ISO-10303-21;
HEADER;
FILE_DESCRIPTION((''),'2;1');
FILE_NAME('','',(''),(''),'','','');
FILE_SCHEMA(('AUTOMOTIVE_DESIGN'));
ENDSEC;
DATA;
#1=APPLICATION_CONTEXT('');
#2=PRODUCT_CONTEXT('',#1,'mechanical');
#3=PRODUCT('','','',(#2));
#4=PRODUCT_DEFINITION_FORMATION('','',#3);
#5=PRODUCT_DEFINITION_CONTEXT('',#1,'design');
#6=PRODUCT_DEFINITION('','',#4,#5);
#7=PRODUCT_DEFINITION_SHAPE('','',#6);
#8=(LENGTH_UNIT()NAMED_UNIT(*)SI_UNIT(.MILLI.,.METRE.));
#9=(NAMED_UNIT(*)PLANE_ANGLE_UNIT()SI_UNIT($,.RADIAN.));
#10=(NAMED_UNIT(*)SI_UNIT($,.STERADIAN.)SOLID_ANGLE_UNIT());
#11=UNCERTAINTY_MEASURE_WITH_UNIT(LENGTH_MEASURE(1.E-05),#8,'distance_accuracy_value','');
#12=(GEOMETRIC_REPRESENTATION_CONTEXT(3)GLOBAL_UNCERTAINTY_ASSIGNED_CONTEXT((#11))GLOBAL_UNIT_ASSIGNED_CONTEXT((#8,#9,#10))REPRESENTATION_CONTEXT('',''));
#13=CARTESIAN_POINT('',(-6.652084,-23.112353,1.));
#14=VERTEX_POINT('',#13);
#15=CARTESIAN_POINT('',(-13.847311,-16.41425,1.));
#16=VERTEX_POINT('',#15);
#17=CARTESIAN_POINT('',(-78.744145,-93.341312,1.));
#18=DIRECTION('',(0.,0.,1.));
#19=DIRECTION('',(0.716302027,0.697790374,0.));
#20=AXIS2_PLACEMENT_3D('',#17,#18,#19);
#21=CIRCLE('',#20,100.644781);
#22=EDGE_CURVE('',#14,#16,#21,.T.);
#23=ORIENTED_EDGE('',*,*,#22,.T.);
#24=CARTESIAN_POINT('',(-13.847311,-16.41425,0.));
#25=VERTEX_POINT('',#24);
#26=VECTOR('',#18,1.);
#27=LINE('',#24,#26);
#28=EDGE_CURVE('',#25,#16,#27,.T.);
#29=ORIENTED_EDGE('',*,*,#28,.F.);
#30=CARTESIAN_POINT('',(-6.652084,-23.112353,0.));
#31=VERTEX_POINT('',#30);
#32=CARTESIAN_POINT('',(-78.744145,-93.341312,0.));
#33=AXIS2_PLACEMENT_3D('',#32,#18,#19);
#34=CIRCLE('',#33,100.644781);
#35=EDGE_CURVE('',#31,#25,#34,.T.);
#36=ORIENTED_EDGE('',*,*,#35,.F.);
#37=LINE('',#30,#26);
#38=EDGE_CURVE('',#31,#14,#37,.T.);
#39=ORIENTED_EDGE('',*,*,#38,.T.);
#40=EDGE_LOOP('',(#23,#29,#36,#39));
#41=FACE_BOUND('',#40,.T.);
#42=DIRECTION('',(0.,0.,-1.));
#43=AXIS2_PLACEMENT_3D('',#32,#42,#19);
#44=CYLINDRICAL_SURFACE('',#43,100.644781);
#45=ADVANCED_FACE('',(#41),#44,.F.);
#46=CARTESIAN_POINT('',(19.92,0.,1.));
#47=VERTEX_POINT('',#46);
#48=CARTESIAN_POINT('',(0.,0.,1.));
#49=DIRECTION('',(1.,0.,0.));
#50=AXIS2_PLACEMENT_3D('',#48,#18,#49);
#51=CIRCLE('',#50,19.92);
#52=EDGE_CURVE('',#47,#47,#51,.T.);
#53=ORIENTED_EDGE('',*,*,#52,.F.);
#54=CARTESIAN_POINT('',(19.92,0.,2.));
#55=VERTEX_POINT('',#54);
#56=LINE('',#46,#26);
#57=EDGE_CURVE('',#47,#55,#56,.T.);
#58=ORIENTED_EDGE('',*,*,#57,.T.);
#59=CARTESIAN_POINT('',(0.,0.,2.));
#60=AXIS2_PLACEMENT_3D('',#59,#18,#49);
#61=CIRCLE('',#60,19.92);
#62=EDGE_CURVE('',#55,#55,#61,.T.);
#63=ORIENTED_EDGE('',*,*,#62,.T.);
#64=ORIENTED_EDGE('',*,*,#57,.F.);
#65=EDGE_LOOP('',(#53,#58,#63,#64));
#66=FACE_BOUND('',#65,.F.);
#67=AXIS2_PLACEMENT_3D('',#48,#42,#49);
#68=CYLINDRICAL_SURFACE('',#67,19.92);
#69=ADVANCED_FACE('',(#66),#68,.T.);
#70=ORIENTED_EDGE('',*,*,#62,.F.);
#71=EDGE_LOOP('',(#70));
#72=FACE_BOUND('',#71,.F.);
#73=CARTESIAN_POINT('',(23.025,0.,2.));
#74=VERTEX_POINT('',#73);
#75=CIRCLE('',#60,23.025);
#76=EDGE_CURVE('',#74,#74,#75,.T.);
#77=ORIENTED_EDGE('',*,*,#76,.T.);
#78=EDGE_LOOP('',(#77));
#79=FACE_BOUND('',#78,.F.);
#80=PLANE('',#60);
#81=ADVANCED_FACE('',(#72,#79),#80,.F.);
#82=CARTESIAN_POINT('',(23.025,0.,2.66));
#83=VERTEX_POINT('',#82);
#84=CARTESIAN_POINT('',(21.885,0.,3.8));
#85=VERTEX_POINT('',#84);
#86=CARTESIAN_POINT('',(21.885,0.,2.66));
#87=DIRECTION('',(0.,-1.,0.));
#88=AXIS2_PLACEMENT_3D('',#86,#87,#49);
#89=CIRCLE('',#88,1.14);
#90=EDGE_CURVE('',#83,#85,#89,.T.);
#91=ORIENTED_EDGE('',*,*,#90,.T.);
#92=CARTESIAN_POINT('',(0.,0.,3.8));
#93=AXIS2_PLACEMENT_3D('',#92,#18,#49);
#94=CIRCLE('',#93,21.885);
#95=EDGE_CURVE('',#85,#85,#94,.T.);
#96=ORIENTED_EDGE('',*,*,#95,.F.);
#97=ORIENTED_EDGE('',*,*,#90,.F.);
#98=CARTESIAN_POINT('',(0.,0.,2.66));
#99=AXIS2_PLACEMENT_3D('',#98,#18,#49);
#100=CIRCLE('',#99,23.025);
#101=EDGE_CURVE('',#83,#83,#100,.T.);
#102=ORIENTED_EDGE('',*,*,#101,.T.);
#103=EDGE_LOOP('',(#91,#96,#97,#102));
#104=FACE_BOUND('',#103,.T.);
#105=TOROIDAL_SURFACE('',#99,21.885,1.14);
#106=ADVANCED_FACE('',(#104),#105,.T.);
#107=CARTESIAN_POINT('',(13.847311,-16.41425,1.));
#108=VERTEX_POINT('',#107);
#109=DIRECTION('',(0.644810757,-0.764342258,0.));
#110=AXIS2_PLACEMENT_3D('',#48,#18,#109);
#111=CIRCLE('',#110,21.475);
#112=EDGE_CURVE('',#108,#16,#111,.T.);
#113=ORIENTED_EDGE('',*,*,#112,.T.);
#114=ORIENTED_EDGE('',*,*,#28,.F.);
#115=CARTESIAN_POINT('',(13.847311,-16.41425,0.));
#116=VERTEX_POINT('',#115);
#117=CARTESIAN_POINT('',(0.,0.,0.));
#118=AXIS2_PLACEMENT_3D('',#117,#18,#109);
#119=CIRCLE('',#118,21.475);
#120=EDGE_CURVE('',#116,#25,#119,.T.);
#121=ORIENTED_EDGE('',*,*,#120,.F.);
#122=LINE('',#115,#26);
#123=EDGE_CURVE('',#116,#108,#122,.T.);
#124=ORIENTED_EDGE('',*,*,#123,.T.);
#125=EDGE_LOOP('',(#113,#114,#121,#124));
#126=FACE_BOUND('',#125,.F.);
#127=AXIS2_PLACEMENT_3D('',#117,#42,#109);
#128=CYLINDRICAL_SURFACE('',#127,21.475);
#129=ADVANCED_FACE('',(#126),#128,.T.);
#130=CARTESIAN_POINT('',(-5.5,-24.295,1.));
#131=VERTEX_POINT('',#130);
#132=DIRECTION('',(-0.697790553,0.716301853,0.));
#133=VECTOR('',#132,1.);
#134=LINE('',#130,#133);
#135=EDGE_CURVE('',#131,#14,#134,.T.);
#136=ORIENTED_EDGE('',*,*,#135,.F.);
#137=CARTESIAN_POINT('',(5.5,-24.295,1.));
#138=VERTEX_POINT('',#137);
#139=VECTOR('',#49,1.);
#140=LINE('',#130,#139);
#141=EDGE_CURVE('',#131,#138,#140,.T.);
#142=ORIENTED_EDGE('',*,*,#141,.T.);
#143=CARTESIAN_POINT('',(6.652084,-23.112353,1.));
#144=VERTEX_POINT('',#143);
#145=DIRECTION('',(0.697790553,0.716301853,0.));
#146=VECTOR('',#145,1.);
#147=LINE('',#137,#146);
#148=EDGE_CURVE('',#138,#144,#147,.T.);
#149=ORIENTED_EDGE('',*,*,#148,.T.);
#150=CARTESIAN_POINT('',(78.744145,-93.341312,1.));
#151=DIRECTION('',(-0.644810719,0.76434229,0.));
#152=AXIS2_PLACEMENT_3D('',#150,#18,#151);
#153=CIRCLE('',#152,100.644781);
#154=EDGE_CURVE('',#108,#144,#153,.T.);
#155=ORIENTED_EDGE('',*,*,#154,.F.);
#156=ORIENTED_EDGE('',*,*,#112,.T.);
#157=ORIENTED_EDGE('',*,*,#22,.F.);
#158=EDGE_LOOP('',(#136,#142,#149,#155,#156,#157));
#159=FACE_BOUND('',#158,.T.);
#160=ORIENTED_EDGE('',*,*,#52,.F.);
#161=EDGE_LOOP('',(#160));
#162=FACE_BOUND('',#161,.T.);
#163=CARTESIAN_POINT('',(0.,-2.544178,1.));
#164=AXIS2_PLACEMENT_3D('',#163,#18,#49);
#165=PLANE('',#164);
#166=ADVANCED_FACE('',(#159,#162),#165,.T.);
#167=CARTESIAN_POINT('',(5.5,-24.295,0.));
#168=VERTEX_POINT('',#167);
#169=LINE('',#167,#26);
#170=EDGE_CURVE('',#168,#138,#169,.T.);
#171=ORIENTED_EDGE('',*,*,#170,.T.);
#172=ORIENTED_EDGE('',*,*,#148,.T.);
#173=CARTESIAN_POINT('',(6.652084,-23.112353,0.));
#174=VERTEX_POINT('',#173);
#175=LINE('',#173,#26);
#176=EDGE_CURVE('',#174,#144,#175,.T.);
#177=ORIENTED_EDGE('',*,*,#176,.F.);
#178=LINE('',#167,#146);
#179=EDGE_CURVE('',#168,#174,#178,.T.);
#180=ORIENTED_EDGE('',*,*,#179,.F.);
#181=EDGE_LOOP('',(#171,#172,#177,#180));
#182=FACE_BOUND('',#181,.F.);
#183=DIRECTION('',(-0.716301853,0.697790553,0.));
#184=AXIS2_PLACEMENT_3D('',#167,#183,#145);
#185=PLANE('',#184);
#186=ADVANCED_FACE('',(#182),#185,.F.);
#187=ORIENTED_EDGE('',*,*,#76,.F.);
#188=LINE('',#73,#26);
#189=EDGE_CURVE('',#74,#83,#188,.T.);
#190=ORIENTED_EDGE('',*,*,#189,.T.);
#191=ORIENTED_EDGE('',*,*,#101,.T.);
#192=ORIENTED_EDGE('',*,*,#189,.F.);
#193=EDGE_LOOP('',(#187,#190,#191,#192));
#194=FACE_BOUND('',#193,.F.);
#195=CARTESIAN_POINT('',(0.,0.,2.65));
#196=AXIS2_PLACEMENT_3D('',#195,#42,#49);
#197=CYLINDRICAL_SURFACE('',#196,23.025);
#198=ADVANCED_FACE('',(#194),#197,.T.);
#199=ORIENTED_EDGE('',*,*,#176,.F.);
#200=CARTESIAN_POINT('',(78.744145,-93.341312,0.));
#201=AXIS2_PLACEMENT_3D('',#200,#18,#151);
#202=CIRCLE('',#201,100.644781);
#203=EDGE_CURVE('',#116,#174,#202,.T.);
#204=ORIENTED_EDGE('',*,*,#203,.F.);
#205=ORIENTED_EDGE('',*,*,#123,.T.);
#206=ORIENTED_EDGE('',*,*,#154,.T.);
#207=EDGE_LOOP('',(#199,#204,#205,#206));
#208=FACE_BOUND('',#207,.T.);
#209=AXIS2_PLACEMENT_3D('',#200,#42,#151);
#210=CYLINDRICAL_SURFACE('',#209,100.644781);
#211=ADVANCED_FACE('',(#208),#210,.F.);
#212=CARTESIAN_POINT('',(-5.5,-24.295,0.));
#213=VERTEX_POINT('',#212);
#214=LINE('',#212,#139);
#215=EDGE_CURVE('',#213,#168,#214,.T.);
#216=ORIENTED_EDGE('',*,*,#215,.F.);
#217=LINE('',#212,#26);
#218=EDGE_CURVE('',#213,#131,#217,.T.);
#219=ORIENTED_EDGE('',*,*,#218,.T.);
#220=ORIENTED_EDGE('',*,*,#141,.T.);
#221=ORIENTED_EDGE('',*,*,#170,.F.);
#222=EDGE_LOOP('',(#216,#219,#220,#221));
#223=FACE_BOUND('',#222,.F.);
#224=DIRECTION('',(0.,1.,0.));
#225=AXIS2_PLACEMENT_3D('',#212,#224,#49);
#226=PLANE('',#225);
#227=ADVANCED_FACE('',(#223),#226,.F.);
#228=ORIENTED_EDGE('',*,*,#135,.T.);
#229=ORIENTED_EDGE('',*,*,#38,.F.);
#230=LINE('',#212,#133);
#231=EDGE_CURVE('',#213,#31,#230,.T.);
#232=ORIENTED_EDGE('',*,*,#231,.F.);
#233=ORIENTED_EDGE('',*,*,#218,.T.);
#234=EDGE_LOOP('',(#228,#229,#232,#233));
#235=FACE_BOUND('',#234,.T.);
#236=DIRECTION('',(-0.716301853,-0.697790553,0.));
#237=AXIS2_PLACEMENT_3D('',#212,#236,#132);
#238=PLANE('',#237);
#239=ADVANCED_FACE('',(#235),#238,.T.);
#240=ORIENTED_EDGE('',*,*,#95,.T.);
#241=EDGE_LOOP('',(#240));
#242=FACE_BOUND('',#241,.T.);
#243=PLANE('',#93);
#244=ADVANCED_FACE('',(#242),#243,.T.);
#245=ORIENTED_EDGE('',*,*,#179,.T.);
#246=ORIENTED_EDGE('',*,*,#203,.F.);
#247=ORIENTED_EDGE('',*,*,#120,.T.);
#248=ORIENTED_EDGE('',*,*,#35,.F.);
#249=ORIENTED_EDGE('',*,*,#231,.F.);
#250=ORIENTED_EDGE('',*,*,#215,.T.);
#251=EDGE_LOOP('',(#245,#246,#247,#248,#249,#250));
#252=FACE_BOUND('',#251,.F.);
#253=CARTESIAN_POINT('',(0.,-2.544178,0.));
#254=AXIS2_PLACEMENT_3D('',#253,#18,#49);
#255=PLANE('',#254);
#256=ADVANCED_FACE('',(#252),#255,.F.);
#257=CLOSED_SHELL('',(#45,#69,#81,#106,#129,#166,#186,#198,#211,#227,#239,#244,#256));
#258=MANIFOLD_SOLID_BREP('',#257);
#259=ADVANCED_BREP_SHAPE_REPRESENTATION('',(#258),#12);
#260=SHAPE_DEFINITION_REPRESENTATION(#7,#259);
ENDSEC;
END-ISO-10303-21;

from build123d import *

# Parameters (mm, degrees)
PAD_DEPTH    = 1
SKETCH001_R  = 19.92
PAD001_DEPTH = 1
SKETCH002_R  = 23.025
PAD002_DEPTH = 0.65
SKETCH003_R  = 23.025
PAD003_DEPTH = 1.15
FILLET_R     = 1.14


with BuildPart() as part:
    # Sketch → Pad (new body)
    with BuildSketch(Plane.XY):
        with BuildLine():
            ThreePointArc((13.847311, -16.41425), (0, 21.475), (-13.847311, -16.41425))
            ThreePointArc((-6.652084, -23.112353), (-10.16787, -19.675401), (-13.847311, -16.41425))
            Line((-5.5, -24.295), (-6.652084, -23.112353))
            Line((-5.5, -24.295), (5.5, -24.295))
            Line((5.5, -24.295), (6.652084, -23.112353))
            ThreePointArc((13.847311, -16.41425), (10.16787, -19.675401), (6.652084, -23.112353))
        make_face()
    extrude(amount=PAD_DEPTH)

    # Sketch001 (on Face8 of Pad) → Pad001 (join)
    with BuildSketch(Plane.XY.offset(1)):
        Circle(SKETCH001_R)
    extrude(amount=PAD001_DEPTH)

    # Sketch002 (on Face10 of Pad001) → Pad002 (join)
    with BuildSketch(Plane.XY.offset(2)):
        Circle(SKETCH002_R)
    extrude(amount=PAD002_DEPTH)

    # Sketch003 (on Face3 of Pad002) → Pad003 (join)
    with BuildSketch(Plane.XY.offset(2.65)):
        Circle(SKETCH003_R)
    extrude(amount=PAD003_DEPTH)

    # Fillet
    fillet_edges = [part.edges().sort_by_distance(p)[0] for p in [
        (-23.025, 0, 3.8),
    ]]
    fillet(fillet_edges, radius=FILLET_R)


solid = part.part
